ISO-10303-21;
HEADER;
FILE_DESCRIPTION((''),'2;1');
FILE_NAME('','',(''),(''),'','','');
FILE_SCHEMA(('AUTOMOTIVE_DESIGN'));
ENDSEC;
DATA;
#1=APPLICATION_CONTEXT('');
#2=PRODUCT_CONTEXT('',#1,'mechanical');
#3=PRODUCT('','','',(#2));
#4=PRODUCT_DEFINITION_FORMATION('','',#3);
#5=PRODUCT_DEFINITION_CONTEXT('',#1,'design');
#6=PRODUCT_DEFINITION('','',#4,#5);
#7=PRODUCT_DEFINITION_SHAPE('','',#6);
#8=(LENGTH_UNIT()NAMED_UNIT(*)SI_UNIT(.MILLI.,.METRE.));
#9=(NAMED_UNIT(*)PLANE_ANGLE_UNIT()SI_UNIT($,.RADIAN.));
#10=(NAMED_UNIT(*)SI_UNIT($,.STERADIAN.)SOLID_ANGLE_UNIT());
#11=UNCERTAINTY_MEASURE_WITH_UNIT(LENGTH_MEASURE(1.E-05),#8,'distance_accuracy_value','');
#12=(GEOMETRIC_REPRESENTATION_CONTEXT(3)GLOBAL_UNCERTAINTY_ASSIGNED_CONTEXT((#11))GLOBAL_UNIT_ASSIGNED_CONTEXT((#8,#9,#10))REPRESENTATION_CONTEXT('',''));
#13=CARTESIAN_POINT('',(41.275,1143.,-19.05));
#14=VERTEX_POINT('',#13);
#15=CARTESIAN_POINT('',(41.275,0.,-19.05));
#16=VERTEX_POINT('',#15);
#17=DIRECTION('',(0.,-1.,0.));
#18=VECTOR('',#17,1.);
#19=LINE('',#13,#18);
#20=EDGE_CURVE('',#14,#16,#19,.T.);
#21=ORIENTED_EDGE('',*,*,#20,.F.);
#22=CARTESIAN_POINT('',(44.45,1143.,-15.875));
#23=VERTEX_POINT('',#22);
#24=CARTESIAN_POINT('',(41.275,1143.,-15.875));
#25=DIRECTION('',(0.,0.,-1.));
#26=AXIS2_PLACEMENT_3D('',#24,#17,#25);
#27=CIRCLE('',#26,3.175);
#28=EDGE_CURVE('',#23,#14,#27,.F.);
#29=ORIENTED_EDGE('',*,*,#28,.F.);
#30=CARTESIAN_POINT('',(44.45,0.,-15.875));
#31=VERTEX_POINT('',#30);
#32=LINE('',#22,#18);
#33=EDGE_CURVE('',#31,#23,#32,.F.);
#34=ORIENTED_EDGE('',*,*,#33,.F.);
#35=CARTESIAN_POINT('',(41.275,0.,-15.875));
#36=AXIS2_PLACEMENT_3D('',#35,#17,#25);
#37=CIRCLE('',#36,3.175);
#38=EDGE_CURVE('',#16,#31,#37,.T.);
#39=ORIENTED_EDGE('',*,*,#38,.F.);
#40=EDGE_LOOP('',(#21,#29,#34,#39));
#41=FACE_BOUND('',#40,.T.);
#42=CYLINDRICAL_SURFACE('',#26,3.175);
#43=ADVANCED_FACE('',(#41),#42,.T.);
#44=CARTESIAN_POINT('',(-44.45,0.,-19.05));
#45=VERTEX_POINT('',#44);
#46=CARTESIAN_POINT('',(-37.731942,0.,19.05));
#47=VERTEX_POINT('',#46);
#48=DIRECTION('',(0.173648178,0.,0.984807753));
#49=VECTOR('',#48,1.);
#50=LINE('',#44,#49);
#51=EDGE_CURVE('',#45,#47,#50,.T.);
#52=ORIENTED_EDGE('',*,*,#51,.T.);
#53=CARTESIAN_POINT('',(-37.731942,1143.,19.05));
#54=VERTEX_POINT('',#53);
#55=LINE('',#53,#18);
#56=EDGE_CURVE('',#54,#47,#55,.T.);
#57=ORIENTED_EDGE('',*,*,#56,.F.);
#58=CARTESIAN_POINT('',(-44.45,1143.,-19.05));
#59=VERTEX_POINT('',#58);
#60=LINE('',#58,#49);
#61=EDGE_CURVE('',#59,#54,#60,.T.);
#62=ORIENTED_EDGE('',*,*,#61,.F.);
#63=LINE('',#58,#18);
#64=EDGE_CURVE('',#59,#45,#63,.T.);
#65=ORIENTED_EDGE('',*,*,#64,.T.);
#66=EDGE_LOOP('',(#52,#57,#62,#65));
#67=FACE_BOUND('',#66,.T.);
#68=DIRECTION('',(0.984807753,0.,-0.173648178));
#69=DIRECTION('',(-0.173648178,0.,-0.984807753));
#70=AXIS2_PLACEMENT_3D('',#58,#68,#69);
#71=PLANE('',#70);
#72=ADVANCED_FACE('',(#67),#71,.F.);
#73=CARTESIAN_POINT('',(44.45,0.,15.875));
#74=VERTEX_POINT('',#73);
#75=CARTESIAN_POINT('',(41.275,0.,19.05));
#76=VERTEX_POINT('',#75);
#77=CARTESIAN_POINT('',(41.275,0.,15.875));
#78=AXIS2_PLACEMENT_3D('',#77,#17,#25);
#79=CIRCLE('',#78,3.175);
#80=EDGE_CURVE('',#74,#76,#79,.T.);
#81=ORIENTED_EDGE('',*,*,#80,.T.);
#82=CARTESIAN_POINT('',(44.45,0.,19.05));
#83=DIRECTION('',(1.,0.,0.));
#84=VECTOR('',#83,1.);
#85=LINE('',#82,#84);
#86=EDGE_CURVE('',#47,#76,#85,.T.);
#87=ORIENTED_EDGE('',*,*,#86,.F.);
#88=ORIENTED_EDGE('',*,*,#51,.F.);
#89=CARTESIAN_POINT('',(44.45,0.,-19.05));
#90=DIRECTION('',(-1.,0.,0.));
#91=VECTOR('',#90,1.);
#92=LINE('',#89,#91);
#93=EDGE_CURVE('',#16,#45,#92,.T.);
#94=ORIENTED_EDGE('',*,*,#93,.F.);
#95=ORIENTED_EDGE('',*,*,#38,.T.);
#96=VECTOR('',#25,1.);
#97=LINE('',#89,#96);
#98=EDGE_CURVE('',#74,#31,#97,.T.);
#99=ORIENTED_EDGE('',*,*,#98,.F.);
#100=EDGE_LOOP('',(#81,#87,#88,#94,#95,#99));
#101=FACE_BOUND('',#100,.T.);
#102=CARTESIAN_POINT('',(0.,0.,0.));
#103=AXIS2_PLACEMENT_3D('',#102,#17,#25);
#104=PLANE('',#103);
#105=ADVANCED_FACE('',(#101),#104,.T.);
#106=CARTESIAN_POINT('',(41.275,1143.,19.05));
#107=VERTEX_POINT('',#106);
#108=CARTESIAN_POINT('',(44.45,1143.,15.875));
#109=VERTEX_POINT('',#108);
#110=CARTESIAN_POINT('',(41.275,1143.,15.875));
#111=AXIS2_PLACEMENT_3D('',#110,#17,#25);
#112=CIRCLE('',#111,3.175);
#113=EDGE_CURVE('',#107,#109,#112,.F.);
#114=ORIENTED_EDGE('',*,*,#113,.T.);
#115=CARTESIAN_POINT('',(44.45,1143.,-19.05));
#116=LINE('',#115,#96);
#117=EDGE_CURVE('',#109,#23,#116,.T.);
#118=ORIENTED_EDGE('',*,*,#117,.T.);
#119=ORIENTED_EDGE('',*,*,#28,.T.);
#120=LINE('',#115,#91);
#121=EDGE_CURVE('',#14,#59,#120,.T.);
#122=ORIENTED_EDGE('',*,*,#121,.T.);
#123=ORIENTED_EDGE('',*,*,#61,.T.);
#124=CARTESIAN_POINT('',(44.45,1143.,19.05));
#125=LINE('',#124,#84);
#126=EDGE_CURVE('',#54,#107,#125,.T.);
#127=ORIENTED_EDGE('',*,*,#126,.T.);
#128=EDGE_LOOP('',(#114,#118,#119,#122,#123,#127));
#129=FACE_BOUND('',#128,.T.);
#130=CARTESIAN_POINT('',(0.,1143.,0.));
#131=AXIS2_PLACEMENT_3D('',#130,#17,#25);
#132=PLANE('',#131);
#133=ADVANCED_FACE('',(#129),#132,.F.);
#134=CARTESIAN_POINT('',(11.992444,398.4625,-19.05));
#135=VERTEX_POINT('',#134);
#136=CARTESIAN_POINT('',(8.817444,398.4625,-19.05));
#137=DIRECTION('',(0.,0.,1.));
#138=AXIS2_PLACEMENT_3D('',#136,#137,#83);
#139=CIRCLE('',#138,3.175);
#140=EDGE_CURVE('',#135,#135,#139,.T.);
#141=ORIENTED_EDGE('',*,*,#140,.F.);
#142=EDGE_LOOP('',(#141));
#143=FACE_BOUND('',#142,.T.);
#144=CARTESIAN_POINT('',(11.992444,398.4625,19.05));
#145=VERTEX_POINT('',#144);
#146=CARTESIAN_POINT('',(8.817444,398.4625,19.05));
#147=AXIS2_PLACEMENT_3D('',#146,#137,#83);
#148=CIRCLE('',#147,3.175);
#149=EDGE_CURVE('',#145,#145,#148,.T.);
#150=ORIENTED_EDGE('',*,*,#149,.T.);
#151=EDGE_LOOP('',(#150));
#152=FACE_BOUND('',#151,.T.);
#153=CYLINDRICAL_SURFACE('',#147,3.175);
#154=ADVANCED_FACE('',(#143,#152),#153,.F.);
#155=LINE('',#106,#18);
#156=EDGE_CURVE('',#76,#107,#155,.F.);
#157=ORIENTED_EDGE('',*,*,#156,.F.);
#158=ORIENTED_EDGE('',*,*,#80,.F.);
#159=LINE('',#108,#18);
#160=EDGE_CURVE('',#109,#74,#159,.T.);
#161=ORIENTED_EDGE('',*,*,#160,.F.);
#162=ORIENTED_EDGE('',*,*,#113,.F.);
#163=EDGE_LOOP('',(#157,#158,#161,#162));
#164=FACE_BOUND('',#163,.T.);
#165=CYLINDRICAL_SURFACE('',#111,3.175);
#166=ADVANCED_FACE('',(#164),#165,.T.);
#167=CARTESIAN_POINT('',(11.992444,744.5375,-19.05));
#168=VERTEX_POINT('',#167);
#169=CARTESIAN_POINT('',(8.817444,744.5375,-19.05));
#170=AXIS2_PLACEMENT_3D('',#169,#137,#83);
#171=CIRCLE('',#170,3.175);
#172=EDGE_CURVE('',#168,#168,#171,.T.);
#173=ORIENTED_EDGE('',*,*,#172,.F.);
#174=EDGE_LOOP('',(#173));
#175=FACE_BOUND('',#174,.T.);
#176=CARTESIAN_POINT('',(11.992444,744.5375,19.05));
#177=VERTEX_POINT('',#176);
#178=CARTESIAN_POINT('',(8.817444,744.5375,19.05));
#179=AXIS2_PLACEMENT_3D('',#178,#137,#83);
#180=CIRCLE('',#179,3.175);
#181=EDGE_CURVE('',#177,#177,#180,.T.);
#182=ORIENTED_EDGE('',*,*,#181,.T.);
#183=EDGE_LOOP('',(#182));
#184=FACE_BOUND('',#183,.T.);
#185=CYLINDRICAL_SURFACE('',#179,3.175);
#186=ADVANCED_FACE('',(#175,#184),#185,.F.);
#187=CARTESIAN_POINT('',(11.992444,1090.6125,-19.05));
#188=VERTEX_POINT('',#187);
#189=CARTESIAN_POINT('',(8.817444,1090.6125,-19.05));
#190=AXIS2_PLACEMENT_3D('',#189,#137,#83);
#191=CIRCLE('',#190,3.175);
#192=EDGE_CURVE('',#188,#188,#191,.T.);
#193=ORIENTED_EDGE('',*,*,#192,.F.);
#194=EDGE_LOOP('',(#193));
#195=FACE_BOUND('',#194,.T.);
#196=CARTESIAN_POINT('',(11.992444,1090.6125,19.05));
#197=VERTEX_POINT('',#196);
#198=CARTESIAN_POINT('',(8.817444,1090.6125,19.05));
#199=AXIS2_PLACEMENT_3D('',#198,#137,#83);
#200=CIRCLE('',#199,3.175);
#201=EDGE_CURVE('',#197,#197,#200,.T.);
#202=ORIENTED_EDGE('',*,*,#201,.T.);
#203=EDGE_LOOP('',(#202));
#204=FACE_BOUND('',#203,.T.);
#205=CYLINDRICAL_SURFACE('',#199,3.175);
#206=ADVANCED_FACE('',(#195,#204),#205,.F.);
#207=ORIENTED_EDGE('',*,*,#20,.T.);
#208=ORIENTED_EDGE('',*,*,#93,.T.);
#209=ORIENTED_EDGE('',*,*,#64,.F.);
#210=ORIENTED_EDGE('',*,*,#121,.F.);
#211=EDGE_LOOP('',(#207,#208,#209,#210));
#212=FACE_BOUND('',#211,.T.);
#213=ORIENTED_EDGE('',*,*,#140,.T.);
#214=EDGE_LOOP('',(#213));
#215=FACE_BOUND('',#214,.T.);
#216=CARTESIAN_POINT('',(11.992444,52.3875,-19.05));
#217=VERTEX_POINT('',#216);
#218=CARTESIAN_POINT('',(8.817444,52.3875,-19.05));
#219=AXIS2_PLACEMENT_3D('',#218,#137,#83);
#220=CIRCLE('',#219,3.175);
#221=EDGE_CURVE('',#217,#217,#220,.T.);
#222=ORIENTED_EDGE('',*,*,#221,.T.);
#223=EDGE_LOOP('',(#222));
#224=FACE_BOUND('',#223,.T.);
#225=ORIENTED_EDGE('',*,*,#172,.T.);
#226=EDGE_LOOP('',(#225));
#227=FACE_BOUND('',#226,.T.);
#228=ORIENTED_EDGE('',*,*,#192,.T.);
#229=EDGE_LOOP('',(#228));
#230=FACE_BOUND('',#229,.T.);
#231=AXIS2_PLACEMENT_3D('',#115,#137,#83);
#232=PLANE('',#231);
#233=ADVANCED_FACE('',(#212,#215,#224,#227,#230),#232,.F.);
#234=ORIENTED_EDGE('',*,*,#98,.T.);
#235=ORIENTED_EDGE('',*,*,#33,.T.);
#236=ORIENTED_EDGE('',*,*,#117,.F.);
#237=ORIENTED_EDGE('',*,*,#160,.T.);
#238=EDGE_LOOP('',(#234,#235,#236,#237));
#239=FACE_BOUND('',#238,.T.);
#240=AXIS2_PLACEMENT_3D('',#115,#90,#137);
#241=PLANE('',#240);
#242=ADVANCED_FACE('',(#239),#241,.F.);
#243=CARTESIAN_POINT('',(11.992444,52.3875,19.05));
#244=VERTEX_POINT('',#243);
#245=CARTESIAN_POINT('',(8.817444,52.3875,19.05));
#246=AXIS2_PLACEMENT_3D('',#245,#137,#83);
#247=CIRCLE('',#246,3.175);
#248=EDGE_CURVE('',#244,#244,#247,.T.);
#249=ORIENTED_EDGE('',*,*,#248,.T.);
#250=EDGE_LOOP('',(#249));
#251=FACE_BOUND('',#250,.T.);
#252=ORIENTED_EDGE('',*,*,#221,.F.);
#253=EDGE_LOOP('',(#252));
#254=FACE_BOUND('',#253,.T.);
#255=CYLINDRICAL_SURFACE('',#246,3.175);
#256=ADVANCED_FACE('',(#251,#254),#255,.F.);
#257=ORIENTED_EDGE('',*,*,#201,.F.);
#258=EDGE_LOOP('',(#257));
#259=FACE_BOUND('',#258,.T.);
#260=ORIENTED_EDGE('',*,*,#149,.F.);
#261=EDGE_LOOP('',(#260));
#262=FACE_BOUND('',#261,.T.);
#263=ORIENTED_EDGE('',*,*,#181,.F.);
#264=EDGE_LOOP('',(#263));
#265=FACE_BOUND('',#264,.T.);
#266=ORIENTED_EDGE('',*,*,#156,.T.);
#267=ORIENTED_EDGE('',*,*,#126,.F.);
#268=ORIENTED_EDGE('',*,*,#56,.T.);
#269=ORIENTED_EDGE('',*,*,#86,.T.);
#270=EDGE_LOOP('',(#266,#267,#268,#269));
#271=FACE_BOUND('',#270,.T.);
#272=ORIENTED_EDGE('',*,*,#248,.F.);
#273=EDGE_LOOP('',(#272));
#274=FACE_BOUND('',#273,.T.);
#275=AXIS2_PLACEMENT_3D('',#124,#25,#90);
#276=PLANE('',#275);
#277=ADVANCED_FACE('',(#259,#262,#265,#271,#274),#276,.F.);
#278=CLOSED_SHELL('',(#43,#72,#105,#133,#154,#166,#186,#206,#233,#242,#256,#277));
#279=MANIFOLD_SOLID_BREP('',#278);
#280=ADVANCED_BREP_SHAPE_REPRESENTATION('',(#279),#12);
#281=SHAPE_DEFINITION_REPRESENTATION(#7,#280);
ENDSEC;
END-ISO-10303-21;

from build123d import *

# Parameters (mm, degrees)
BOSS_EXTRUDE1_DEPTH         = 1143
F_1_4_0_25_DIAMETER_HOLE1_D = 6.35
FILLET2_R                   = 3.175


with BuildPart() as part:
    # Sketch1 → Boss-Extrude1 (new body)
    with BuildSketch(Plane(origin=(0, 0, 0), x_dir=(1, 0, 0), z_dir=(0, 1, 0))):
        Polygon((-44.45, 19.05), (-37.731942035, -19.05), (44.45, -19.05), (44.45, 19.05), align=None)
    extrude(amount=BOSS_EXTRUDE1_DEPTH)

    # 1/4 (0.25) Diameter Hole1 (through all)
    with Locations(Plane(origin=(0, 0, 19.05), x_dir=(-1, 0, 0), z_dir=(0, 0, 1))):
        with Locations((-8.817444165, -52.3875), (-8.817444165, -398.4625), (-8.817444165, -744.5375), (-8.817444165, -1090.6125)):
            Hole(F_1_4_0_25_DIAMETER_HOLE1_D / 2)

    # Fillet2
    fillet2_edges = [part.edges().sort_by_distance(p)[0] for p in [
        (44.45, 571.5, -19.05),
        (44.45, 571.5, 19.05),
    ]]
    fillet(fillet2_edges, radius=FILLET2_R)


solid = part.part
